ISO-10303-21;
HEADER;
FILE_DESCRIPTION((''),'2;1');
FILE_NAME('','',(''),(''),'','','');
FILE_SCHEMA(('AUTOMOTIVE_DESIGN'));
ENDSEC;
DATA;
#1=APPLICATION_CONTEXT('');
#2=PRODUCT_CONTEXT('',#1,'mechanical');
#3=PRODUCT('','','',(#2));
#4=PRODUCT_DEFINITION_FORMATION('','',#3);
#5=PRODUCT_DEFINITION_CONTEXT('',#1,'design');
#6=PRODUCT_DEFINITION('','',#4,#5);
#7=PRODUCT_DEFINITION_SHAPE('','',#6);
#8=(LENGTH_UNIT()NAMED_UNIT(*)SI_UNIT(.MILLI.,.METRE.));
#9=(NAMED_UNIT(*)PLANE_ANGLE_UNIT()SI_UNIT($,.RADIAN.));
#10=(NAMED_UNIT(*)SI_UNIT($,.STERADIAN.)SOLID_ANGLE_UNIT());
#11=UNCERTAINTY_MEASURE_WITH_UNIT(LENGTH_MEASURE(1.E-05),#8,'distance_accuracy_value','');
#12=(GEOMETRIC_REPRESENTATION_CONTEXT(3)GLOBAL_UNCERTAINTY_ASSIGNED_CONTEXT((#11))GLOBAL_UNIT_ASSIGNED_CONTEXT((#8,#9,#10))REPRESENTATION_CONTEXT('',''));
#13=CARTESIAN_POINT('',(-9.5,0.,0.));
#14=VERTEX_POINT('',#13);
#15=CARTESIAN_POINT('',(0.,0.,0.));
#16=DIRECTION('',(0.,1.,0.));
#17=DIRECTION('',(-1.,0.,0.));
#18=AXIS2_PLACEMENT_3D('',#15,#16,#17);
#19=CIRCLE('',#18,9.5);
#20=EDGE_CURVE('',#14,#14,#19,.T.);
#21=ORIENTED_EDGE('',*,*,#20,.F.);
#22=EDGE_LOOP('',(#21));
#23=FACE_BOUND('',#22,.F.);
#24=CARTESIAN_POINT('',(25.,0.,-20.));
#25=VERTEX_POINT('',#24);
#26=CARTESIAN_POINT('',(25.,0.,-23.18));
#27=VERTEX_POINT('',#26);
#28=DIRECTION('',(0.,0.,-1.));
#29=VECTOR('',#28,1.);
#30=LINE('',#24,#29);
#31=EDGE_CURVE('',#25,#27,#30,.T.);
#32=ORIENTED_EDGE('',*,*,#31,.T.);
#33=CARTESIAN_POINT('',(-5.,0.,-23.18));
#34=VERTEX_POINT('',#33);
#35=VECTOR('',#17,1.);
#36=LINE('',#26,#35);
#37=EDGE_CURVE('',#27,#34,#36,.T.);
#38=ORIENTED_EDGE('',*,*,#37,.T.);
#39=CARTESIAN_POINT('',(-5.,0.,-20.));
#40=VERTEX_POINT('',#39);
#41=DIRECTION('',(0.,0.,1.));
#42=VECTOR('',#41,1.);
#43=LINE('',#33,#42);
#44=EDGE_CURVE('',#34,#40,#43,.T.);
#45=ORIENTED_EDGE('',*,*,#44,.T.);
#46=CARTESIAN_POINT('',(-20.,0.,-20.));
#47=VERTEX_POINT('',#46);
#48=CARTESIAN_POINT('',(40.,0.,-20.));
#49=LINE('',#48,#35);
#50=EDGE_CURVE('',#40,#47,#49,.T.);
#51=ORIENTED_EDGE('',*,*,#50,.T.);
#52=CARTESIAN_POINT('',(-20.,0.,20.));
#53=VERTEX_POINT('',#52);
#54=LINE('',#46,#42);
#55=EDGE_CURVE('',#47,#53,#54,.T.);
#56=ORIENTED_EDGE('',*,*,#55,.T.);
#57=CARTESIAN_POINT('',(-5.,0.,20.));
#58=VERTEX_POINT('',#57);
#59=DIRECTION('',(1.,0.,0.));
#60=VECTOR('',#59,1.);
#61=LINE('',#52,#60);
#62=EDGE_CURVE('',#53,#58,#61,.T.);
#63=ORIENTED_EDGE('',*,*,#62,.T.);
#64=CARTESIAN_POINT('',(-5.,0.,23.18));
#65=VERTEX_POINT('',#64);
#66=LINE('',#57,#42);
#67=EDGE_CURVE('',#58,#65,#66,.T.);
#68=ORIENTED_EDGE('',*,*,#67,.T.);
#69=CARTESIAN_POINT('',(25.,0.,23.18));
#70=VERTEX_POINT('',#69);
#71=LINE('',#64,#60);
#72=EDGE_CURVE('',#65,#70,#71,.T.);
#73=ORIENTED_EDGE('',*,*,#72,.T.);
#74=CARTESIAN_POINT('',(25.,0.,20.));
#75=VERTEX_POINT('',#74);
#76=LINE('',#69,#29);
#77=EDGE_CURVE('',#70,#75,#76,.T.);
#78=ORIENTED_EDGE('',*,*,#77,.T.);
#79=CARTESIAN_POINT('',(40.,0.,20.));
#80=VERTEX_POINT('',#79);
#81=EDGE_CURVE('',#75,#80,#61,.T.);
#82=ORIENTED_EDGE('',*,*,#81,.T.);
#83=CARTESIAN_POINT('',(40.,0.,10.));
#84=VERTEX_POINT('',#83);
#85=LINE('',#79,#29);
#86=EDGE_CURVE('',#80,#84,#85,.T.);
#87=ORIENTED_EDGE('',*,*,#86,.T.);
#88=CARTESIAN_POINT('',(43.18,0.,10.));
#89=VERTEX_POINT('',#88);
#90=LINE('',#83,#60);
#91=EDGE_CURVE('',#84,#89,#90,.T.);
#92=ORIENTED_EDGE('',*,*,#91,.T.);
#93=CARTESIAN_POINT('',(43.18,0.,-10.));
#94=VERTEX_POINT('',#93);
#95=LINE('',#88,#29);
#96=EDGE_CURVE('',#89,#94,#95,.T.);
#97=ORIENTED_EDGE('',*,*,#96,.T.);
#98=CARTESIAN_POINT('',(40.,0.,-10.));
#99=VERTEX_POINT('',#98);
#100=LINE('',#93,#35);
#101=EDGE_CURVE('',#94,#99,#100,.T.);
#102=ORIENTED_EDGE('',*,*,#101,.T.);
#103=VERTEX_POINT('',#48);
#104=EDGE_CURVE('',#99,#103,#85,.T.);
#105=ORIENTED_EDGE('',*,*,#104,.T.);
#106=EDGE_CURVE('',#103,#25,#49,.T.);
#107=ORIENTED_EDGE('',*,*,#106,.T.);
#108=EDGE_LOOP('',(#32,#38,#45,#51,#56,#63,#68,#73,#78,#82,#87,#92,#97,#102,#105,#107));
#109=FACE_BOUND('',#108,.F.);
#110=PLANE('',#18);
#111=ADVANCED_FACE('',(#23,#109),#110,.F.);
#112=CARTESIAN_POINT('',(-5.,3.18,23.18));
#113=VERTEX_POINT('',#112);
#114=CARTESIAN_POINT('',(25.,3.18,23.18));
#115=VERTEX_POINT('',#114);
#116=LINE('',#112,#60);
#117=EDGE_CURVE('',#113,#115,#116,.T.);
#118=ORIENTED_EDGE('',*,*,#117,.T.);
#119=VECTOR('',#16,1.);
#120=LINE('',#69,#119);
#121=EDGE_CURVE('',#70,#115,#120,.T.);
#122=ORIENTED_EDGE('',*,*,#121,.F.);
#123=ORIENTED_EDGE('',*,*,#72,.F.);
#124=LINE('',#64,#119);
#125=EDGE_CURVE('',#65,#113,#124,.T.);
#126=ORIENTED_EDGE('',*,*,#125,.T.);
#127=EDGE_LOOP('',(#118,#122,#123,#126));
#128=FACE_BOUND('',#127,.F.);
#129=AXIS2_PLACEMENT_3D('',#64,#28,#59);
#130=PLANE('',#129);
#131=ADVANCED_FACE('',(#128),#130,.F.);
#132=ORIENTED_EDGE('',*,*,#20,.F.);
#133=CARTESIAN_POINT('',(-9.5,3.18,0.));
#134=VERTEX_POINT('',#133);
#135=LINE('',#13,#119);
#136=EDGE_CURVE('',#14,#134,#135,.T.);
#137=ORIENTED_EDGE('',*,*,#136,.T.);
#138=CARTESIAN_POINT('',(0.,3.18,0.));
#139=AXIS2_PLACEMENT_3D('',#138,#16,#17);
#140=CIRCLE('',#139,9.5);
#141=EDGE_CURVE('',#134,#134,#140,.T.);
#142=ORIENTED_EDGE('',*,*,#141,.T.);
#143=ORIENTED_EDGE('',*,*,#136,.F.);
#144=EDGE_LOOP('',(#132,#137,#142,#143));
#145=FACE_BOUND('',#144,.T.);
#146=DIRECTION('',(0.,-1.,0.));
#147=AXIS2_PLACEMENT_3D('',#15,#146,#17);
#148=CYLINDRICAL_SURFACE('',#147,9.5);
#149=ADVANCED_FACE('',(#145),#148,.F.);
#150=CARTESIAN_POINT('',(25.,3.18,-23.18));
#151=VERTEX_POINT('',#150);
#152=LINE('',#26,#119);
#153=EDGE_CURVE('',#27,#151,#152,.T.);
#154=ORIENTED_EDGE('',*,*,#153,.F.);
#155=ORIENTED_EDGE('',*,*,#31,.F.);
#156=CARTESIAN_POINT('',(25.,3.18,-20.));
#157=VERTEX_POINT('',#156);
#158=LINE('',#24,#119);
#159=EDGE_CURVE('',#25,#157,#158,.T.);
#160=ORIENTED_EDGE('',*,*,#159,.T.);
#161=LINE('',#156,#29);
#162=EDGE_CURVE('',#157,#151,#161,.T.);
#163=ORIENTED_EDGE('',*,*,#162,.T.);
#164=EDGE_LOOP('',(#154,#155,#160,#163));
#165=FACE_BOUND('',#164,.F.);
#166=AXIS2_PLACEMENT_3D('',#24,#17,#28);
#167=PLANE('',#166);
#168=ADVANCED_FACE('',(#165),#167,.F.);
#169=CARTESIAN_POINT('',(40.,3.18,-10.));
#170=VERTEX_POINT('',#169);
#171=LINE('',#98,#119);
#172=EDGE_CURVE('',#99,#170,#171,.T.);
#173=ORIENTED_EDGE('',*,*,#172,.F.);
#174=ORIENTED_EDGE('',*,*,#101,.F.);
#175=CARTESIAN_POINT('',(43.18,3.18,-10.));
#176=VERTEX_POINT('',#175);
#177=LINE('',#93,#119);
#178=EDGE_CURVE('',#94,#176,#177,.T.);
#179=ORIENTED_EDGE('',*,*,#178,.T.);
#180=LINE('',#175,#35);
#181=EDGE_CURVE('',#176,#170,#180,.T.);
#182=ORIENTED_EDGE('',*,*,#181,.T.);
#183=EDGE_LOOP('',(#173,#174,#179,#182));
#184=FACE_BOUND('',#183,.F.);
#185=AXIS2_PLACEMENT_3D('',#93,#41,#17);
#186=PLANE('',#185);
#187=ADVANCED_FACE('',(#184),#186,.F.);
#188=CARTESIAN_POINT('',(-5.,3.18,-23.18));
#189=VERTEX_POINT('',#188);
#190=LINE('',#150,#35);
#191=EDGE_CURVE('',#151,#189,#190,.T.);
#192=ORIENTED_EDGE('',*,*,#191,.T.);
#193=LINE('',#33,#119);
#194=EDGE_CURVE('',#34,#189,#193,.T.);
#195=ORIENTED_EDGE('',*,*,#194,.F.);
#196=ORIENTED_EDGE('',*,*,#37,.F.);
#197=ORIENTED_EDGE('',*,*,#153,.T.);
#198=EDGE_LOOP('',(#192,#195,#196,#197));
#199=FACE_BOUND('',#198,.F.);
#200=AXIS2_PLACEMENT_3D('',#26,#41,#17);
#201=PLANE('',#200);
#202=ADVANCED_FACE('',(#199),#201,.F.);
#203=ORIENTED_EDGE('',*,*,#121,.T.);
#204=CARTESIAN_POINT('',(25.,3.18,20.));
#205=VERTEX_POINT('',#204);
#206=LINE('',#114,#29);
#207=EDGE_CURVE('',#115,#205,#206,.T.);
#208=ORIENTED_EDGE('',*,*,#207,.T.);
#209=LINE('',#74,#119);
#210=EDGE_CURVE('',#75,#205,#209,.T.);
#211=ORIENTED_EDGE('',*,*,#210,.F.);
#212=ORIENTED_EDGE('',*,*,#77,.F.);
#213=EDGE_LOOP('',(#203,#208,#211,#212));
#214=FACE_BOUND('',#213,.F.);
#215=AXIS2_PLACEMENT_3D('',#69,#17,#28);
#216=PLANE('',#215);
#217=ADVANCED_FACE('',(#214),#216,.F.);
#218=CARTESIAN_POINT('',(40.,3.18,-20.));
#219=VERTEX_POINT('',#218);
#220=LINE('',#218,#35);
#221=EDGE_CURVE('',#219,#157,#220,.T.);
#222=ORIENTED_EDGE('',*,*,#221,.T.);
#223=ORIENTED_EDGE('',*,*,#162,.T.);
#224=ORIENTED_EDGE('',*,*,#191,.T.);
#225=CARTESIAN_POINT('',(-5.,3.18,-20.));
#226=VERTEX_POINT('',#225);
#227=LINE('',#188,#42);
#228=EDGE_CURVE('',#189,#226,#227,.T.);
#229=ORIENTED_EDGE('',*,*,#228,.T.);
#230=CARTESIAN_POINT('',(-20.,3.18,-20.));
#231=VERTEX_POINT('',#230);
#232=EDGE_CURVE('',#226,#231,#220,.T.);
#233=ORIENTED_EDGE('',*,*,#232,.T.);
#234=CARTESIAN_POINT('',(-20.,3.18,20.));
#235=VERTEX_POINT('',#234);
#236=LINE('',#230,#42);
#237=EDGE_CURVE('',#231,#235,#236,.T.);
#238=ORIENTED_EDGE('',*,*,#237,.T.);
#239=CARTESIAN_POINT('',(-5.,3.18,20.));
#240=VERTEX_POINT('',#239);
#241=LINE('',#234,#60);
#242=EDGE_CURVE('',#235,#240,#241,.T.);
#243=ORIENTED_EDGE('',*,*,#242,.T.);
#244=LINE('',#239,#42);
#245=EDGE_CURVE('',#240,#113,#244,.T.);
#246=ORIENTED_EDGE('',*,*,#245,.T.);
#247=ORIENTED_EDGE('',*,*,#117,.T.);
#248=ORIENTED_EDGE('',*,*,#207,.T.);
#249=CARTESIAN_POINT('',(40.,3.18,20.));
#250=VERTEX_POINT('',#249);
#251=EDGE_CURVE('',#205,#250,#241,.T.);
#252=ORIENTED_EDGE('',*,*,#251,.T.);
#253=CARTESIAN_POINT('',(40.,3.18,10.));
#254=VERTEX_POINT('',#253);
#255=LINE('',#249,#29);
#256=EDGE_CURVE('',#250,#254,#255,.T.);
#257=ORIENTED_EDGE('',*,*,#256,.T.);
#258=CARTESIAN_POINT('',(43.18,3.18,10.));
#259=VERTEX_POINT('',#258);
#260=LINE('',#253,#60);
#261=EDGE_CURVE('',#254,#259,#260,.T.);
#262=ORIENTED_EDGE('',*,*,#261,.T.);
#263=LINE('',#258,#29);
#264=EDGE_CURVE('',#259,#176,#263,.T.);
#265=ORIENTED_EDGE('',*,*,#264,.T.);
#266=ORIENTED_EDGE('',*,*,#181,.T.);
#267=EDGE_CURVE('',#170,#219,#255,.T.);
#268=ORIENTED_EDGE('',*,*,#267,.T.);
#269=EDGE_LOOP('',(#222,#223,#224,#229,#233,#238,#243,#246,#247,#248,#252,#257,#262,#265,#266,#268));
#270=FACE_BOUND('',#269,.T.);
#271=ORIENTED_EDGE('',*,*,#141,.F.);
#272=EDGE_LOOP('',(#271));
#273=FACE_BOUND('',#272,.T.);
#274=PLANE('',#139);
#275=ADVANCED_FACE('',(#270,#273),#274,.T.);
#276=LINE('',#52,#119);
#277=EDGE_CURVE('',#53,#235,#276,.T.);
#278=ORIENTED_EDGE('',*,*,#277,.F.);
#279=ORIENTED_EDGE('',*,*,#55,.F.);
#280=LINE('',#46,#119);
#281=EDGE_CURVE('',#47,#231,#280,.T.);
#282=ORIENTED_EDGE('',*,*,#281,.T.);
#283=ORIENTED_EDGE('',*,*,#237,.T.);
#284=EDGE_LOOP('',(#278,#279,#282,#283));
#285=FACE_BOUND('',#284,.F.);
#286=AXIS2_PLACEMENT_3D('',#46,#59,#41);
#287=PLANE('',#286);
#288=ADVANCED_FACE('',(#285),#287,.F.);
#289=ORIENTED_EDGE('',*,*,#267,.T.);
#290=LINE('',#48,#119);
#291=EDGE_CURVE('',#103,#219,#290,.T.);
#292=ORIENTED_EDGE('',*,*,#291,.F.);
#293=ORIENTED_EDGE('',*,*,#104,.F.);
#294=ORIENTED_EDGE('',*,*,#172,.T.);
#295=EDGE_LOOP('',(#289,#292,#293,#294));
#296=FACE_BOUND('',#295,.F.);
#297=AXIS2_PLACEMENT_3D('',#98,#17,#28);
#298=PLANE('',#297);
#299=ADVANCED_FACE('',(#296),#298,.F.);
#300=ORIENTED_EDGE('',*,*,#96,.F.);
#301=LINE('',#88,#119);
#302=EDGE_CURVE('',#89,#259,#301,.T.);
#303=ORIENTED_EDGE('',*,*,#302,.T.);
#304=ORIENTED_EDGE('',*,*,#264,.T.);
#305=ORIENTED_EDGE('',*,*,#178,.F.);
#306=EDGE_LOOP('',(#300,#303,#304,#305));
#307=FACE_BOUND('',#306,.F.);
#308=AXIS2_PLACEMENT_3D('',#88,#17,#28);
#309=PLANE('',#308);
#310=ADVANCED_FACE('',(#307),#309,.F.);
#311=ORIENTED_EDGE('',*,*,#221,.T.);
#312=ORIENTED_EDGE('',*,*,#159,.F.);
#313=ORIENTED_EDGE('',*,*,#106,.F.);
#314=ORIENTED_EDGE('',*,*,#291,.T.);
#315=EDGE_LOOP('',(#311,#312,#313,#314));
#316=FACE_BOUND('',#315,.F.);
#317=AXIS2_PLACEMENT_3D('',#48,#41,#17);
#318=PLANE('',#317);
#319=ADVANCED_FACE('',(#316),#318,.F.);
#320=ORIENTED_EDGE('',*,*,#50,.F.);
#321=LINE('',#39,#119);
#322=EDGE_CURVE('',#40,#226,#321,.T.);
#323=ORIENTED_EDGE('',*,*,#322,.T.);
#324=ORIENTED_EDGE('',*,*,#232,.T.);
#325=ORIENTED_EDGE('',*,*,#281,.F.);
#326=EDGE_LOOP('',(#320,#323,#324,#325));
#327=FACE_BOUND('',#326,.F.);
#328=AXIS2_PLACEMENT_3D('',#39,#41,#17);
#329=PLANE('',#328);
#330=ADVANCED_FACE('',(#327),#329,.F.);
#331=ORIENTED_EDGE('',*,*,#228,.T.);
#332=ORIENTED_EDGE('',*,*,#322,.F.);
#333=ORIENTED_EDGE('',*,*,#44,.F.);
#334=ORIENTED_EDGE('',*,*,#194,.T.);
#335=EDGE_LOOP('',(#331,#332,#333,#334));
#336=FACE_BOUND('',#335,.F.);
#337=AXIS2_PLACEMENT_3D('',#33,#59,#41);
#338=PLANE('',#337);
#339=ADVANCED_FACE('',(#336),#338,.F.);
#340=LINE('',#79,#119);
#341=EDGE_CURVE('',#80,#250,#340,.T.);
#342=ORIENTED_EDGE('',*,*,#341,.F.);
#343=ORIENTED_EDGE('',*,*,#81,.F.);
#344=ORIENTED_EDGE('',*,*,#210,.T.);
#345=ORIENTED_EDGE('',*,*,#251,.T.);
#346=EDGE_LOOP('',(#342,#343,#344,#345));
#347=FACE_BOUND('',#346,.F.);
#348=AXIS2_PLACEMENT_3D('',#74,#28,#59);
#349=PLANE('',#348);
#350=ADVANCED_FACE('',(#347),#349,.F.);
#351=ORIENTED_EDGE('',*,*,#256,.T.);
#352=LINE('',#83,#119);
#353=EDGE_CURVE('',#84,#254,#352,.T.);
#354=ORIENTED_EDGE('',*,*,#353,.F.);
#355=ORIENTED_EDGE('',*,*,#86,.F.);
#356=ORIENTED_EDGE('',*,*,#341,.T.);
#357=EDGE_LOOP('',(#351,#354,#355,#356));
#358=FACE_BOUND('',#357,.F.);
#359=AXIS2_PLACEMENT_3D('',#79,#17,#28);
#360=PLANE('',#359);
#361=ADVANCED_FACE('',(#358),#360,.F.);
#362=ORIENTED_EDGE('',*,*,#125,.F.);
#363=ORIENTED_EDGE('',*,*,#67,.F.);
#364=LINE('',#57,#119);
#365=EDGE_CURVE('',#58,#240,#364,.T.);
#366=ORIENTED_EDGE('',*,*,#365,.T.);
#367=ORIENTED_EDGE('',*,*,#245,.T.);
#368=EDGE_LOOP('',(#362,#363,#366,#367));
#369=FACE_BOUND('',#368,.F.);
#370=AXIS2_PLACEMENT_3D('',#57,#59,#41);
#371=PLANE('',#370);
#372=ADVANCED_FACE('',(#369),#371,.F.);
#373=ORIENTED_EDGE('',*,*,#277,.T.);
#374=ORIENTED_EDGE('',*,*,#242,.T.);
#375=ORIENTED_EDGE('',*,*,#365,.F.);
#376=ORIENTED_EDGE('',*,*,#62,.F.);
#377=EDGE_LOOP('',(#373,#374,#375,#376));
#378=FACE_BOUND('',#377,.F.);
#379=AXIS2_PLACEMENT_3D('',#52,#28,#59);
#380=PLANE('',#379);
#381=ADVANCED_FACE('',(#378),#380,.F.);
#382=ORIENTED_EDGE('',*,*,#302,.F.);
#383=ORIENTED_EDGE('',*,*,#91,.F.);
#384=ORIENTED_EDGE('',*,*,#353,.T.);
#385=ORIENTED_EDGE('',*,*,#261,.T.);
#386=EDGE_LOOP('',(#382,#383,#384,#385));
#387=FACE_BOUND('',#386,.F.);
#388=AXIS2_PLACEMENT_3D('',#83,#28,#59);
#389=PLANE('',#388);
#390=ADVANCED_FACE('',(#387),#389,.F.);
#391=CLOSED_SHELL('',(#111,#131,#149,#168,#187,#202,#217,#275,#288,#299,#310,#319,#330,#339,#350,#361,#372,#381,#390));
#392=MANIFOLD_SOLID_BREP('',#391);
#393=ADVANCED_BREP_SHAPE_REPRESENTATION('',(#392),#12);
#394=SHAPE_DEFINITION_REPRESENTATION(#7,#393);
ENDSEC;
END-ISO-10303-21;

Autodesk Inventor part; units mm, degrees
ref_plane "YZ Plane" through (0, 0, 0) normal (1, 0, 0) x (0, 1, 0)
ref_plane "XZ Plane" through (0, 0, 0) normal (0, 1, 0) x (-1, 0, 0)
ref_plane "XY Plane" through (0, 0, 0) normal (0, 0, 1) x (1, 0, 0)
sketch "Boceto1" plane through (0, 0, 0) normal (0, 1, 0) x (-1, 0, 0)
  circle A0 centre (0, 0) radius 9.5
  line L0 (20, 20) -> (-40, 20)
  line L1 (-40, 20) -> (-40, -20)
  line L2 (-40, -20) -> (20, -20)
  line L3 (20, -20) -> (20, 20)
  line L4 (5, 23.18) -> (-25, 23.18)
  line L5 (-25, 23.18) -> (-25, 20)
  line L6 (-25, 20) -> (5, 20)
  line L7 (5, 20) -> (5, 23.18)
  line L8 (5, -20) -> (-25, -20)
  line L9 (-25, -20) -> (-25, -23.18)
  line L10 (-25, -23.18) -> (5, -23.18)
  line L11 (5, -23.18) -> (5, -20)
  line L12 (-40, 10) -> (-43.18, 10)
  line L13 (-43.18, 10) -> (-43.18, -10)
  line L14 (-43.18, -10) -> (-40, -10)
  line L15 (-40, -10) -> (-40, 10)
  dimension "d0" = 19
  dimension "d17" = 40
  dimension "d18" = 60
  dimension "d19" = 20
  dimension "d20" = 20
  dimension "d21" = 3.18
  dimension "d22" = 30
  dimension "d23" = 15
  dimension "d24" = 20
  dimension "d25" = 10
  dimension "d26" = 3.18
extrude "Extrusión1" add sketch "Boceto1" along normal blind 3.18
properties part number "HOMBRO_SOST.COJ"
